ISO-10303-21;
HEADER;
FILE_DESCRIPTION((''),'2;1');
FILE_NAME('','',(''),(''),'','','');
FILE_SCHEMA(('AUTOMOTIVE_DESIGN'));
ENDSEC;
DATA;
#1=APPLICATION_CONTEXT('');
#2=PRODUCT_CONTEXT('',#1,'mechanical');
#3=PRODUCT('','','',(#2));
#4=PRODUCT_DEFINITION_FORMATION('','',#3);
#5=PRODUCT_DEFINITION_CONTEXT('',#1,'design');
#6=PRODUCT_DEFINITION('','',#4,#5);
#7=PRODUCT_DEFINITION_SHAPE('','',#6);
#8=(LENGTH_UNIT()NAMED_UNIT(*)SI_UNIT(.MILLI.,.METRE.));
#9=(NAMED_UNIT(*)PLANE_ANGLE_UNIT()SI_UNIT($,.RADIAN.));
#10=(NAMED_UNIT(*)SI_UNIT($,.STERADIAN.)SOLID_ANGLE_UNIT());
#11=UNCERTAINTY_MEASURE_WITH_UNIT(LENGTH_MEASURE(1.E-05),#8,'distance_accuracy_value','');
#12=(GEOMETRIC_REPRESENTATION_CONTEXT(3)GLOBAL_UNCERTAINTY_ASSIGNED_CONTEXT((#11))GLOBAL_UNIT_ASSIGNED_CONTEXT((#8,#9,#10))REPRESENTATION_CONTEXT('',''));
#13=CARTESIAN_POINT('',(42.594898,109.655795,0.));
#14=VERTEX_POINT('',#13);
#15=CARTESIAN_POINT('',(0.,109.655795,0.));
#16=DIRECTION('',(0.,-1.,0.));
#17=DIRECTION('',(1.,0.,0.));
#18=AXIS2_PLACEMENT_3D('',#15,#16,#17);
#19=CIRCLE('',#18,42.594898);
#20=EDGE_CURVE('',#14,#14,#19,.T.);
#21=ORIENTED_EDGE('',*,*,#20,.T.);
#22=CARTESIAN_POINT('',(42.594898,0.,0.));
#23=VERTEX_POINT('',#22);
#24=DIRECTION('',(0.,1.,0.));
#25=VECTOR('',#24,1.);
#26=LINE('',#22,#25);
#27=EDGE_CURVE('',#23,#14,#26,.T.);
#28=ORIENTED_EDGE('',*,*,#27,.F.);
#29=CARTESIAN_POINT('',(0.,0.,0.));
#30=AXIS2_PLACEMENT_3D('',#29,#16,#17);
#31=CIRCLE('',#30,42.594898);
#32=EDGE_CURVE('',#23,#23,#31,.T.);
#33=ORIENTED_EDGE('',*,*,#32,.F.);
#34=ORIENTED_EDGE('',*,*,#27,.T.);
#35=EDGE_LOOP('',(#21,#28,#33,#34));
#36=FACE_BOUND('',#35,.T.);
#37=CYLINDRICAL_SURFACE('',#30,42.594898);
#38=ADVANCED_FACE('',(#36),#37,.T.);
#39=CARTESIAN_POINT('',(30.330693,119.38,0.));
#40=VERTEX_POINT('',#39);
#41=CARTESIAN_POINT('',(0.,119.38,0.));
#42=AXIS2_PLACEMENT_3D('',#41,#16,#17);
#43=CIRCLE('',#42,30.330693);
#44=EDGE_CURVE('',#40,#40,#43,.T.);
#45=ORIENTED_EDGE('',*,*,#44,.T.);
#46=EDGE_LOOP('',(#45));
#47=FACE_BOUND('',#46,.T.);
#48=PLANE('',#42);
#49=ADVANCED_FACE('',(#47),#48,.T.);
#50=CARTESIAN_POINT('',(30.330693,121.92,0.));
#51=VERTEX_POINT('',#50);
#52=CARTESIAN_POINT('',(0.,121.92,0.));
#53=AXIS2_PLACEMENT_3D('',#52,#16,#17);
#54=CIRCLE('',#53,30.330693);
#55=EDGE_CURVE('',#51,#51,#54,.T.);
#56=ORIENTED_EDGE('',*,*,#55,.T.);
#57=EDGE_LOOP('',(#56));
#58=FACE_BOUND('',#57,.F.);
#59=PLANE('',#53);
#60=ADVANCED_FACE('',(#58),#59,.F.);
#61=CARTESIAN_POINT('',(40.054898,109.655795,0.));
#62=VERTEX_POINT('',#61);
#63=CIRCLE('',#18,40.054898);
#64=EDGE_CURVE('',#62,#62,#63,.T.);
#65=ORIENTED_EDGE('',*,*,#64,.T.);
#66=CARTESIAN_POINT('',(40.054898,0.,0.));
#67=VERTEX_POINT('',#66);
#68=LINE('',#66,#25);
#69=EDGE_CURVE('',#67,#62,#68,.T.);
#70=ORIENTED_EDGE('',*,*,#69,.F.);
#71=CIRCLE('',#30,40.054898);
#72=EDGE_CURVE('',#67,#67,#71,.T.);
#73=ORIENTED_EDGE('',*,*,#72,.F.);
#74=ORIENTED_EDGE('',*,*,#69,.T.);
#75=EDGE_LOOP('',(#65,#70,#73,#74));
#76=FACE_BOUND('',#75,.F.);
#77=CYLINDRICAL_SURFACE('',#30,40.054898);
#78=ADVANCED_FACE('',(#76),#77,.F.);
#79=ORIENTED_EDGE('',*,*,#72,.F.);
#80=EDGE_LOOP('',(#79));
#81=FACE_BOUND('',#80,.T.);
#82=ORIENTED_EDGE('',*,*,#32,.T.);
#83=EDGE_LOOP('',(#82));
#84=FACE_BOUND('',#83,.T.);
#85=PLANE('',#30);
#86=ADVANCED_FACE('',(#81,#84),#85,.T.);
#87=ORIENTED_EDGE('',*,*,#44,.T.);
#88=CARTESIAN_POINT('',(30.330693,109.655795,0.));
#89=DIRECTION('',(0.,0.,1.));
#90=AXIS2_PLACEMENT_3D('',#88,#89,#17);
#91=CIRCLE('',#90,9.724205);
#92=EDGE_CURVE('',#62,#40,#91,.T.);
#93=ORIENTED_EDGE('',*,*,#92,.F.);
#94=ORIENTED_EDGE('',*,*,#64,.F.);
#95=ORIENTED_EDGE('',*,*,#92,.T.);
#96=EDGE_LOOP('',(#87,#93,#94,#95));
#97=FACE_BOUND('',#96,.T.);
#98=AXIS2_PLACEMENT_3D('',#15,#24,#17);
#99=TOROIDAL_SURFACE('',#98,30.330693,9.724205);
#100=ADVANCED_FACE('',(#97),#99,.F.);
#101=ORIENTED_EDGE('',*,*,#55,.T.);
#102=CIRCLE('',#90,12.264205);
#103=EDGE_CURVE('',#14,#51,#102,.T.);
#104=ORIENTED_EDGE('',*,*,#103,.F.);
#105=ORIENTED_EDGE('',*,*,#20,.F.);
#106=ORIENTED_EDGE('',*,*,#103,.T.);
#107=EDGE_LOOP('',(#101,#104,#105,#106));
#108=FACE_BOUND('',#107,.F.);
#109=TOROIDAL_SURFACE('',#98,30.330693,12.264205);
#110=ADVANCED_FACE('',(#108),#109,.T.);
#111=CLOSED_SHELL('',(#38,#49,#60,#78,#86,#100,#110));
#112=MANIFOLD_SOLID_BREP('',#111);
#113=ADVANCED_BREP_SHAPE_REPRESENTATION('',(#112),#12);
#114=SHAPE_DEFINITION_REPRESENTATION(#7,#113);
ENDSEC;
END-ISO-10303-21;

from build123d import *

# Parameters (mm, degrees)
F0_R     = 42.594898
F1_DEPTH = 121.92
F2_R     = 12.264205
F3_T     = -2.54


with BuildPart() as f1:
    # F0 (on Front) → F1 (new body)
    with BuildSketch(Plane.XZ):
        Circle(F0_R)
    extrude(amount=-F1_DEPTH)

    # F2
    f2_edges = [f1.edges().sort_by_distance(p)[0] for p in [
        (-42.594898, 121.92, 0),
    ]]
    fillet(f2_edges, radius=F2_R)

    # F3
    f3_openings = [f1.faces().sort_by_distance(p)[0] for p in [
        (0, 0, 0),
    ]]
    offset(amount=F3_T, openings=f3_openings)


solid = f1.part
